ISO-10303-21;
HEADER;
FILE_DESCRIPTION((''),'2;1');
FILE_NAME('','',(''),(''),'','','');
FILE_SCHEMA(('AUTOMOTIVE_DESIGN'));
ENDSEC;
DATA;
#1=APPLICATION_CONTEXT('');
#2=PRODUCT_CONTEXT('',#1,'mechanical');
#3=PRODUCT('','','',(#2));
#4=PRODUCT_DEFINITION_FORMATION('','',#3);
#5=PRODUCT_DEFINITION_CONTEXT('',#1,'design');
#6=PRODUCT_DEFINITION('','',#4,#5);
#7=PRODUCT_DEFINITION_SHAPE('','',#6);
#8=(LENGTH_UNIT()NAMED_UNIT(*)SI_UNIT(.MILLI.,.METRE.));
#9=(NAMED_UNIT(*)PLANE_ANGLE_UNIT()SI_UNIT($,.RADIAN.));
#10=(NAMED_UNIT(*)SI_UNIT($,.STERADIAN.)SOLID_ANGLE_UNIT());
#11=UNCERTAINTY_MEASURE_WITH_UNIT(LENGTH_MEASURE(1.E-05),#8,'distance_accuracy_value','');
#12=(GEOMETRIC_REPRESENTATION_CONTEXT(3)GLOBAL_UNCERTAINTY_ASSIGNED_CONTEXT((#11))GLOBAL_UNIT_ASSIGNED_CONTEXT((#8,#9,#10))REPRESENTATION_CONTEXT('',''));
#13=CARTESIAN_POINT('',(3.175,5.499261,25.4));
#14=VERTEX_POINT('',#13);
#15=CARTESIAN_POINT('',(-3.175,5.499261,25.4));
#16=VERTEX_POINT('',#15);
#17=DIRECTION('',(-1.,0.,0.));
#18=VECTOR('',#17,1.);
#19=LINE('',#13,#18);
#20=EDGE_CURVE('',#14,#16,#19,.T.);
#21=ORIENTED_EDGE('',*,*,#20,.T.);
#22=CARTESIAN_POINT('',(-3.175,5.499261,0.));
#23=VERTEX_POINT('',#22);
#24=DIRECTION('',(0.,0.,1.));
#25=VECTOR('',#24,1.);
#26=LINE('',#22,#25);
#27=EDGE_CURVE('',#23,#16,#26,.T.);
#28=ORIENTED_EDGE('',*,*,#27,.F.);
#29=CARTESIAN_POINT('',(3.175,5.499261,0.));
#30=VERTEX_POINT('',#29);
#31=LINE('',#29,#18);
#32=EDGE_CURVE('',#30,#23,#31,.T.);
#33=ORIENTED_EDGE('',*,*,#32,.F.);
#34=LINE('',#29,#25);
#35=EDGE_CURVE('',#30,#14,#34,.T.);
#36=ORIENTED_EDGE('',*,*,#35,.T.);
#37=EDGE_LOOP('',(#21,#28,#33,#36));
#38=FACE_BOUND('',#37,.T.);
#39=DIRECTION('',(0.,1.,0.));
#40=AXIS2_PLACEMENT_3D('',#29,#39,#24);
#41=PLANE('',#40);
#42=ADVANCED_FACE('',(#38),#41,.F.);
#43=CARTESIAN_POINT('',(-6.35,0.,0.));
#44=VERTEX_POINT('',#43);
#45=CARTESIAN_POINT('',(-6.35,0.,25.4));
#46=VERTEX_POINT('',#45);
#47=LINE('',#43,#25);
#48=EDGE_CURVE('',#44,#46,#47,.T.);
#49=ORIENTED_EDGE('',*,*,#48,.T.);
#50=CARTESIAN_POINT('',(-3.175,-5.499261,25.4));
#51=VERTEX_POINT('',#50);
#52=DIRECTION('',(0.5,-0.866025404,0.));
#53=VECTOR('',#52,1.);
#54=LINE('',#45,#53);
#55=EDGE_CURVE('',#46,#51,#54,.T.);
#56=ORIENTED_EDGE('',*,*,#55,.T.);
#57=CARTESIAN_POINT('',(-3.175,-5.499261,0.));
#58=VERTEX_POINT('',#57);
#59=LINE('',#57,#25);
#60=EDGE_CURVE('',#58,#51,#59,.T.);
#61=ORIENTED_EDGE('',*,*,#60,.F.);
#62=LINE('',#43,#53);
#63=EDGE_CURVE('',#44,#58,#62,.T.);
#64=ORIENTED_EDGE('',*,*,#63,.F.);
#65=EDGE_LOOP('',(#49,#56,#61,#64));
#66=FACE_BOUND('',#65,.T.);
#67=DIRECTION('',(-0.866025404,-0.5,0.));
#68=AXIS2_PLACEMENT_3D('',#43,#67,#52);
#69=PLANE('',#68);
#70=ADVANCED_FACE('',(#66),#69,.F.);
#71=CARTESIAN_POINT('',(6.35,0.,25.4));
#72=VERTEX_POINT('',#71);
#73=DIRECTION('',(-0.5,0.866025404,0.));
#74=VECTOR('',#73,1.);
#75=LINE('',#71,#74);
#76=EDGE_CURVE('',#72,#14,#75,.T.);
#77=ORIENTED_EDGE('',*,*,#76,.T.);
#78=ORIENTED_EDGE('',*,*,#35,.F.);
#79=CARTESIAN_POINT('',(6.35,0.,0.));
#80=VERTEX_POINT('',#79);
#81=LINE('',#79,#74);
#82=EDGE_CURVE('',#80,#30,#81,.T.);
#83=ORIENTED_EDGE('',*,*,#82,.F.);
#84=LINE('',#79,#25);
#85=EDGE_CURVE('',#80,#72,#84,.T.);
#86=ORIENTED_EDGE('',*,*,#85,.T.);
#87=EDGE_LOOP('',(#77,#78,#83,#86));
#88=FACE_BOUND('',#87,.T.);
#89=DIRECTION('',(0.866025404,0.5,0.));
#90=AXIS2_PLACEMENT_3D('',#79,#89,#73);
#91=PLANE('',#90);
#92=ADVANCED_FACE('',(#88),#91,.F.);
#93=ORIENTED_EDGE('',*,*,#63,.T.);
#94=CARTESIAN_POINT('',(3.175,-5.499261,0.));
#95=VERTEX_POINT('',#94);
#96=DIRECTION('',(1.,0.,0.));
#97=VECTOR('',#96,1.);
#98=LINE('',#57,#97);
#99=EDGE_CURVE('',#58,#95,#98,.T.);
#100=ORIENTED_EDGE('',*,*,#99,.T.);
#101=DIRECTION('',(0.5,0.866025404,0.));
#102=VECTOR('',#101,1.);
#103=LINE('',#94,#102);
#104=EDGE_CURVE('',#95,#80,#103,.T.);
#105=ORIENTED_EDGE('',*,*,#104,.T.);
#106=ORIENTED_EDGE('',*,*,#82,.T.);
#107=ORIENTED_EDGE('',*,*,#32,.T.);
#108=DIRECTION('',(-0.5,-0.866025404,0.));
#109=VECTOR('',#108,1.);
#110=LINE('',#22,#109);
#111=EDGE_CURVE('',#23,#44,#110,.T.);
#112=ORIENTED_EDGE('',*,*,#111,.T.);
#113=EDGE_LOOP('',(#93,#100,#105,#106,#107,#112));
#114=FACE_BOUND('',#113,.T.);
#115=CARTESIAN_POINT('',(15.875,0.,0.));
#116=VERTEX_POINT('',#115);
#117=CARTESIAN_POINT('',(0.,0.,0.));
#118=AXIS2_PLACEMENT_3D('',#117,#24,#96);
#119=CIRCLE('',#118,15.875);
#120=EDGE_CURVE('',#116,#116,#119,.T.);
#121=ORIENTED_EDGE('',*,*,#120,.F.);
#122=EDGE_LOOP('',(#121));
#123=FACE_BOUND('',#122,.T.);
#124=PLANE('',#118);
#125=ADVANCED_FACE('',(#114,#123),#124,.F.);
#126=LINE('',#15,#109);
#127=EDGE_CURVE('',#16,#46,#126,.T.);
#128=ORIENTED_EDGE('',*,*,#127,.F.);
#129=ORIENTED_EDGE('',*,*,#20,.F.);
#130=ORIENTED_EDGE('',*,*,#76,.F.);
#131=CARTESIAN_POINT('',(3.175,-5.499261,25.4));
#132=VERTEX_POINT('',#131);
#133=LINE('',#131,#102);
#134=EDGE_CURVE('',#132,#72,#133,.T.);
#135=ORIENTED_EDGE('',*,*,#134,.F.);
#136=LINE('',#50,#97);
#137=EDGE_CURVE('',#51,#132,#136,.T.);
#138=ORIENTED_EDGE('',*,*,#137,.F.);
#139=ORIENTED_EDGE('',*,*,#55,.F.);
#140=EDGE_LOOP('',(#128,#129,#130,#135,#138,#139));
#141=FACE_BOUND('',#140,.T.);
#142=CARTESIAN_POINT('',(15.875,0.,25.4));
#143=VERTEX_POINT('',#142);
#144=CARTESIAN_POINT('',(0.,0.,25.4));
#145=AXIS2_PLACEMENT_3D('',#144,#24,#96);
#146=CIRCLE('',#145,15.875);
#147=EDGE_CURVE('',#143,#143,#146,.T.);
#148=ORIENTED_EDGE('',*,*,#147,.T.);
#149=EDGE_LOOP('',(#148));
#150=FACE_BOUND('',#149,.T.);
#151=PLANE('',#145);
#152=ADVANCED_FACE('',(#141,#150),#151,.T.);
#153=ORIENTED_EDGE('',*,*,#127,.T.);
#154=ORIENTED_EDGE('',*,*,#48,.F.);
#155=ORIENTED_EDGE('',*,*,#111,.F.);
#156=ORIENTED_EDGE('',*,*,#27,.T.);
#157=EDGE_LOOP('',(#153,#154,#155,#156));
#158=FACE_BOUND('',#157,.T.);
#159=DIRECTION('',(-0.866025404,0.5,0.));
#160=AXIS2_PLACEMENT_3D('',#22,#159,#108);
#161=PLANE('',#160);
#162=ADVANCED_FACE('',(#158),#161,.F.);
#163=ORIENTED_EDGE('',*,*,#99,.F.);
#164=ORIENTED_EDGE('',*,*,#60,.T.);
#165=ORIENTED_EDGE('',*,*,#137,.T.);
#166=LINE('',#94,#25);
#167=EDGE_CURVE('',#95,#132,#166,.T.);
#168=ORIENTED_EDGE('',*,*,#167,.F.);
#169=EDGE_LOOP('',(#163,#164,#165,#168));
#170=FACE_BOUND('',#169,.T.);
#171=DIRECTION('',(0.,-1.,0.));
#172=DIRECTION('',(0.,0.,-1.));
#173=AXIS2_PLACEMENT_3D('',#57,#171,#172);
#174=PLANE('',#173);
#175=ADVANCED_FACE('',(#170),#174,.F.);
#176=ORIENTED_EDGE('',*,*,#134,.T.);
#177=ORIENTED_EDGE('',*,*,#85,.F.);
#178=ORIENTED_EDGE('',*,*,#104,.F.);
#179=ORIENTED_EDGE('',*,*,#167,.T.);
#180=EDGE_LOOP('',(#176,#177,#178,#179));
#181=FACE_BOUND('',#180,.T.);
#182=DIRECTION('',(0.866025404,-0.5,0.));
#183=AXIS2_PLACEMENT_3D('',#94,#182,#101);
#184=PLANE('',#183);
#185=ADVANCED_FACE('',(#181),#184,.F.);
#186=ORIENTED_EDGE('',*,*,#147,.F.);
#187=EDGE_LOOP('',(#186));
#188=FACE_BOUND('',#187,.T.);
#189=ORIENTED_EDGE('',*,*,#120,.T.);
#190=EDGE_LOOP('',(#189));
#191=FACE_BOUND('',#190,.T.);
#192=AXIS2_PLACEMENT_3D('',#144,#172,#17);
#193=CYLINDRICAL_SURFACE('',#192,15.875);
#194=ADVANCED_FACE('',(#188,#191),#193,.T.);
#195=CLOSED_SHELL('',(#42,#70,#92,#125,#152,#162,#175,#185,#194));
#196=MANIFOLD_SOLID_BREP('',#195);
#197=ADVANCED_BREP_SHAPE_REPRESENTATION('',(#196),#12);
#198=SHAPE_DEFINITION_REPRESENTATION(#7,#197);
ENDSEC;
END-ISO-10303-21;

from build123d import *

# Parameters (mm, degrees)
SKETCH1_R           = 15.875
BOSS_EXTRUDE1_DEPTH = 25.4
CUT_EXTRUDE1_DEPTH  = 26.4


with BuildPart() as part:
    # Sketch1 → Boss-Extrude1 (new body)
    with BuildSketch(Plane.XY):
        Circle(SKETCH1_R)
    extrude(amount=BOSS_EXTRUDE1_DEPTH)

    # Sketch3 → Cut-Extrude1 (cut, through all)
    with BuildSketch(Plane.XY.offset(25.4)):
        Polygon((6.35, 0), (3.175, 5.499261314), (-3.175, 5.499261314), (-6.35, 0), (-3.175, -5.499261314), (3.175, -5.499261314), align=None)
    extrude(amount=-CUT_EXTRUDE1_DEPTH, mode=Mode.SUBTRACT)


solid = part.part
